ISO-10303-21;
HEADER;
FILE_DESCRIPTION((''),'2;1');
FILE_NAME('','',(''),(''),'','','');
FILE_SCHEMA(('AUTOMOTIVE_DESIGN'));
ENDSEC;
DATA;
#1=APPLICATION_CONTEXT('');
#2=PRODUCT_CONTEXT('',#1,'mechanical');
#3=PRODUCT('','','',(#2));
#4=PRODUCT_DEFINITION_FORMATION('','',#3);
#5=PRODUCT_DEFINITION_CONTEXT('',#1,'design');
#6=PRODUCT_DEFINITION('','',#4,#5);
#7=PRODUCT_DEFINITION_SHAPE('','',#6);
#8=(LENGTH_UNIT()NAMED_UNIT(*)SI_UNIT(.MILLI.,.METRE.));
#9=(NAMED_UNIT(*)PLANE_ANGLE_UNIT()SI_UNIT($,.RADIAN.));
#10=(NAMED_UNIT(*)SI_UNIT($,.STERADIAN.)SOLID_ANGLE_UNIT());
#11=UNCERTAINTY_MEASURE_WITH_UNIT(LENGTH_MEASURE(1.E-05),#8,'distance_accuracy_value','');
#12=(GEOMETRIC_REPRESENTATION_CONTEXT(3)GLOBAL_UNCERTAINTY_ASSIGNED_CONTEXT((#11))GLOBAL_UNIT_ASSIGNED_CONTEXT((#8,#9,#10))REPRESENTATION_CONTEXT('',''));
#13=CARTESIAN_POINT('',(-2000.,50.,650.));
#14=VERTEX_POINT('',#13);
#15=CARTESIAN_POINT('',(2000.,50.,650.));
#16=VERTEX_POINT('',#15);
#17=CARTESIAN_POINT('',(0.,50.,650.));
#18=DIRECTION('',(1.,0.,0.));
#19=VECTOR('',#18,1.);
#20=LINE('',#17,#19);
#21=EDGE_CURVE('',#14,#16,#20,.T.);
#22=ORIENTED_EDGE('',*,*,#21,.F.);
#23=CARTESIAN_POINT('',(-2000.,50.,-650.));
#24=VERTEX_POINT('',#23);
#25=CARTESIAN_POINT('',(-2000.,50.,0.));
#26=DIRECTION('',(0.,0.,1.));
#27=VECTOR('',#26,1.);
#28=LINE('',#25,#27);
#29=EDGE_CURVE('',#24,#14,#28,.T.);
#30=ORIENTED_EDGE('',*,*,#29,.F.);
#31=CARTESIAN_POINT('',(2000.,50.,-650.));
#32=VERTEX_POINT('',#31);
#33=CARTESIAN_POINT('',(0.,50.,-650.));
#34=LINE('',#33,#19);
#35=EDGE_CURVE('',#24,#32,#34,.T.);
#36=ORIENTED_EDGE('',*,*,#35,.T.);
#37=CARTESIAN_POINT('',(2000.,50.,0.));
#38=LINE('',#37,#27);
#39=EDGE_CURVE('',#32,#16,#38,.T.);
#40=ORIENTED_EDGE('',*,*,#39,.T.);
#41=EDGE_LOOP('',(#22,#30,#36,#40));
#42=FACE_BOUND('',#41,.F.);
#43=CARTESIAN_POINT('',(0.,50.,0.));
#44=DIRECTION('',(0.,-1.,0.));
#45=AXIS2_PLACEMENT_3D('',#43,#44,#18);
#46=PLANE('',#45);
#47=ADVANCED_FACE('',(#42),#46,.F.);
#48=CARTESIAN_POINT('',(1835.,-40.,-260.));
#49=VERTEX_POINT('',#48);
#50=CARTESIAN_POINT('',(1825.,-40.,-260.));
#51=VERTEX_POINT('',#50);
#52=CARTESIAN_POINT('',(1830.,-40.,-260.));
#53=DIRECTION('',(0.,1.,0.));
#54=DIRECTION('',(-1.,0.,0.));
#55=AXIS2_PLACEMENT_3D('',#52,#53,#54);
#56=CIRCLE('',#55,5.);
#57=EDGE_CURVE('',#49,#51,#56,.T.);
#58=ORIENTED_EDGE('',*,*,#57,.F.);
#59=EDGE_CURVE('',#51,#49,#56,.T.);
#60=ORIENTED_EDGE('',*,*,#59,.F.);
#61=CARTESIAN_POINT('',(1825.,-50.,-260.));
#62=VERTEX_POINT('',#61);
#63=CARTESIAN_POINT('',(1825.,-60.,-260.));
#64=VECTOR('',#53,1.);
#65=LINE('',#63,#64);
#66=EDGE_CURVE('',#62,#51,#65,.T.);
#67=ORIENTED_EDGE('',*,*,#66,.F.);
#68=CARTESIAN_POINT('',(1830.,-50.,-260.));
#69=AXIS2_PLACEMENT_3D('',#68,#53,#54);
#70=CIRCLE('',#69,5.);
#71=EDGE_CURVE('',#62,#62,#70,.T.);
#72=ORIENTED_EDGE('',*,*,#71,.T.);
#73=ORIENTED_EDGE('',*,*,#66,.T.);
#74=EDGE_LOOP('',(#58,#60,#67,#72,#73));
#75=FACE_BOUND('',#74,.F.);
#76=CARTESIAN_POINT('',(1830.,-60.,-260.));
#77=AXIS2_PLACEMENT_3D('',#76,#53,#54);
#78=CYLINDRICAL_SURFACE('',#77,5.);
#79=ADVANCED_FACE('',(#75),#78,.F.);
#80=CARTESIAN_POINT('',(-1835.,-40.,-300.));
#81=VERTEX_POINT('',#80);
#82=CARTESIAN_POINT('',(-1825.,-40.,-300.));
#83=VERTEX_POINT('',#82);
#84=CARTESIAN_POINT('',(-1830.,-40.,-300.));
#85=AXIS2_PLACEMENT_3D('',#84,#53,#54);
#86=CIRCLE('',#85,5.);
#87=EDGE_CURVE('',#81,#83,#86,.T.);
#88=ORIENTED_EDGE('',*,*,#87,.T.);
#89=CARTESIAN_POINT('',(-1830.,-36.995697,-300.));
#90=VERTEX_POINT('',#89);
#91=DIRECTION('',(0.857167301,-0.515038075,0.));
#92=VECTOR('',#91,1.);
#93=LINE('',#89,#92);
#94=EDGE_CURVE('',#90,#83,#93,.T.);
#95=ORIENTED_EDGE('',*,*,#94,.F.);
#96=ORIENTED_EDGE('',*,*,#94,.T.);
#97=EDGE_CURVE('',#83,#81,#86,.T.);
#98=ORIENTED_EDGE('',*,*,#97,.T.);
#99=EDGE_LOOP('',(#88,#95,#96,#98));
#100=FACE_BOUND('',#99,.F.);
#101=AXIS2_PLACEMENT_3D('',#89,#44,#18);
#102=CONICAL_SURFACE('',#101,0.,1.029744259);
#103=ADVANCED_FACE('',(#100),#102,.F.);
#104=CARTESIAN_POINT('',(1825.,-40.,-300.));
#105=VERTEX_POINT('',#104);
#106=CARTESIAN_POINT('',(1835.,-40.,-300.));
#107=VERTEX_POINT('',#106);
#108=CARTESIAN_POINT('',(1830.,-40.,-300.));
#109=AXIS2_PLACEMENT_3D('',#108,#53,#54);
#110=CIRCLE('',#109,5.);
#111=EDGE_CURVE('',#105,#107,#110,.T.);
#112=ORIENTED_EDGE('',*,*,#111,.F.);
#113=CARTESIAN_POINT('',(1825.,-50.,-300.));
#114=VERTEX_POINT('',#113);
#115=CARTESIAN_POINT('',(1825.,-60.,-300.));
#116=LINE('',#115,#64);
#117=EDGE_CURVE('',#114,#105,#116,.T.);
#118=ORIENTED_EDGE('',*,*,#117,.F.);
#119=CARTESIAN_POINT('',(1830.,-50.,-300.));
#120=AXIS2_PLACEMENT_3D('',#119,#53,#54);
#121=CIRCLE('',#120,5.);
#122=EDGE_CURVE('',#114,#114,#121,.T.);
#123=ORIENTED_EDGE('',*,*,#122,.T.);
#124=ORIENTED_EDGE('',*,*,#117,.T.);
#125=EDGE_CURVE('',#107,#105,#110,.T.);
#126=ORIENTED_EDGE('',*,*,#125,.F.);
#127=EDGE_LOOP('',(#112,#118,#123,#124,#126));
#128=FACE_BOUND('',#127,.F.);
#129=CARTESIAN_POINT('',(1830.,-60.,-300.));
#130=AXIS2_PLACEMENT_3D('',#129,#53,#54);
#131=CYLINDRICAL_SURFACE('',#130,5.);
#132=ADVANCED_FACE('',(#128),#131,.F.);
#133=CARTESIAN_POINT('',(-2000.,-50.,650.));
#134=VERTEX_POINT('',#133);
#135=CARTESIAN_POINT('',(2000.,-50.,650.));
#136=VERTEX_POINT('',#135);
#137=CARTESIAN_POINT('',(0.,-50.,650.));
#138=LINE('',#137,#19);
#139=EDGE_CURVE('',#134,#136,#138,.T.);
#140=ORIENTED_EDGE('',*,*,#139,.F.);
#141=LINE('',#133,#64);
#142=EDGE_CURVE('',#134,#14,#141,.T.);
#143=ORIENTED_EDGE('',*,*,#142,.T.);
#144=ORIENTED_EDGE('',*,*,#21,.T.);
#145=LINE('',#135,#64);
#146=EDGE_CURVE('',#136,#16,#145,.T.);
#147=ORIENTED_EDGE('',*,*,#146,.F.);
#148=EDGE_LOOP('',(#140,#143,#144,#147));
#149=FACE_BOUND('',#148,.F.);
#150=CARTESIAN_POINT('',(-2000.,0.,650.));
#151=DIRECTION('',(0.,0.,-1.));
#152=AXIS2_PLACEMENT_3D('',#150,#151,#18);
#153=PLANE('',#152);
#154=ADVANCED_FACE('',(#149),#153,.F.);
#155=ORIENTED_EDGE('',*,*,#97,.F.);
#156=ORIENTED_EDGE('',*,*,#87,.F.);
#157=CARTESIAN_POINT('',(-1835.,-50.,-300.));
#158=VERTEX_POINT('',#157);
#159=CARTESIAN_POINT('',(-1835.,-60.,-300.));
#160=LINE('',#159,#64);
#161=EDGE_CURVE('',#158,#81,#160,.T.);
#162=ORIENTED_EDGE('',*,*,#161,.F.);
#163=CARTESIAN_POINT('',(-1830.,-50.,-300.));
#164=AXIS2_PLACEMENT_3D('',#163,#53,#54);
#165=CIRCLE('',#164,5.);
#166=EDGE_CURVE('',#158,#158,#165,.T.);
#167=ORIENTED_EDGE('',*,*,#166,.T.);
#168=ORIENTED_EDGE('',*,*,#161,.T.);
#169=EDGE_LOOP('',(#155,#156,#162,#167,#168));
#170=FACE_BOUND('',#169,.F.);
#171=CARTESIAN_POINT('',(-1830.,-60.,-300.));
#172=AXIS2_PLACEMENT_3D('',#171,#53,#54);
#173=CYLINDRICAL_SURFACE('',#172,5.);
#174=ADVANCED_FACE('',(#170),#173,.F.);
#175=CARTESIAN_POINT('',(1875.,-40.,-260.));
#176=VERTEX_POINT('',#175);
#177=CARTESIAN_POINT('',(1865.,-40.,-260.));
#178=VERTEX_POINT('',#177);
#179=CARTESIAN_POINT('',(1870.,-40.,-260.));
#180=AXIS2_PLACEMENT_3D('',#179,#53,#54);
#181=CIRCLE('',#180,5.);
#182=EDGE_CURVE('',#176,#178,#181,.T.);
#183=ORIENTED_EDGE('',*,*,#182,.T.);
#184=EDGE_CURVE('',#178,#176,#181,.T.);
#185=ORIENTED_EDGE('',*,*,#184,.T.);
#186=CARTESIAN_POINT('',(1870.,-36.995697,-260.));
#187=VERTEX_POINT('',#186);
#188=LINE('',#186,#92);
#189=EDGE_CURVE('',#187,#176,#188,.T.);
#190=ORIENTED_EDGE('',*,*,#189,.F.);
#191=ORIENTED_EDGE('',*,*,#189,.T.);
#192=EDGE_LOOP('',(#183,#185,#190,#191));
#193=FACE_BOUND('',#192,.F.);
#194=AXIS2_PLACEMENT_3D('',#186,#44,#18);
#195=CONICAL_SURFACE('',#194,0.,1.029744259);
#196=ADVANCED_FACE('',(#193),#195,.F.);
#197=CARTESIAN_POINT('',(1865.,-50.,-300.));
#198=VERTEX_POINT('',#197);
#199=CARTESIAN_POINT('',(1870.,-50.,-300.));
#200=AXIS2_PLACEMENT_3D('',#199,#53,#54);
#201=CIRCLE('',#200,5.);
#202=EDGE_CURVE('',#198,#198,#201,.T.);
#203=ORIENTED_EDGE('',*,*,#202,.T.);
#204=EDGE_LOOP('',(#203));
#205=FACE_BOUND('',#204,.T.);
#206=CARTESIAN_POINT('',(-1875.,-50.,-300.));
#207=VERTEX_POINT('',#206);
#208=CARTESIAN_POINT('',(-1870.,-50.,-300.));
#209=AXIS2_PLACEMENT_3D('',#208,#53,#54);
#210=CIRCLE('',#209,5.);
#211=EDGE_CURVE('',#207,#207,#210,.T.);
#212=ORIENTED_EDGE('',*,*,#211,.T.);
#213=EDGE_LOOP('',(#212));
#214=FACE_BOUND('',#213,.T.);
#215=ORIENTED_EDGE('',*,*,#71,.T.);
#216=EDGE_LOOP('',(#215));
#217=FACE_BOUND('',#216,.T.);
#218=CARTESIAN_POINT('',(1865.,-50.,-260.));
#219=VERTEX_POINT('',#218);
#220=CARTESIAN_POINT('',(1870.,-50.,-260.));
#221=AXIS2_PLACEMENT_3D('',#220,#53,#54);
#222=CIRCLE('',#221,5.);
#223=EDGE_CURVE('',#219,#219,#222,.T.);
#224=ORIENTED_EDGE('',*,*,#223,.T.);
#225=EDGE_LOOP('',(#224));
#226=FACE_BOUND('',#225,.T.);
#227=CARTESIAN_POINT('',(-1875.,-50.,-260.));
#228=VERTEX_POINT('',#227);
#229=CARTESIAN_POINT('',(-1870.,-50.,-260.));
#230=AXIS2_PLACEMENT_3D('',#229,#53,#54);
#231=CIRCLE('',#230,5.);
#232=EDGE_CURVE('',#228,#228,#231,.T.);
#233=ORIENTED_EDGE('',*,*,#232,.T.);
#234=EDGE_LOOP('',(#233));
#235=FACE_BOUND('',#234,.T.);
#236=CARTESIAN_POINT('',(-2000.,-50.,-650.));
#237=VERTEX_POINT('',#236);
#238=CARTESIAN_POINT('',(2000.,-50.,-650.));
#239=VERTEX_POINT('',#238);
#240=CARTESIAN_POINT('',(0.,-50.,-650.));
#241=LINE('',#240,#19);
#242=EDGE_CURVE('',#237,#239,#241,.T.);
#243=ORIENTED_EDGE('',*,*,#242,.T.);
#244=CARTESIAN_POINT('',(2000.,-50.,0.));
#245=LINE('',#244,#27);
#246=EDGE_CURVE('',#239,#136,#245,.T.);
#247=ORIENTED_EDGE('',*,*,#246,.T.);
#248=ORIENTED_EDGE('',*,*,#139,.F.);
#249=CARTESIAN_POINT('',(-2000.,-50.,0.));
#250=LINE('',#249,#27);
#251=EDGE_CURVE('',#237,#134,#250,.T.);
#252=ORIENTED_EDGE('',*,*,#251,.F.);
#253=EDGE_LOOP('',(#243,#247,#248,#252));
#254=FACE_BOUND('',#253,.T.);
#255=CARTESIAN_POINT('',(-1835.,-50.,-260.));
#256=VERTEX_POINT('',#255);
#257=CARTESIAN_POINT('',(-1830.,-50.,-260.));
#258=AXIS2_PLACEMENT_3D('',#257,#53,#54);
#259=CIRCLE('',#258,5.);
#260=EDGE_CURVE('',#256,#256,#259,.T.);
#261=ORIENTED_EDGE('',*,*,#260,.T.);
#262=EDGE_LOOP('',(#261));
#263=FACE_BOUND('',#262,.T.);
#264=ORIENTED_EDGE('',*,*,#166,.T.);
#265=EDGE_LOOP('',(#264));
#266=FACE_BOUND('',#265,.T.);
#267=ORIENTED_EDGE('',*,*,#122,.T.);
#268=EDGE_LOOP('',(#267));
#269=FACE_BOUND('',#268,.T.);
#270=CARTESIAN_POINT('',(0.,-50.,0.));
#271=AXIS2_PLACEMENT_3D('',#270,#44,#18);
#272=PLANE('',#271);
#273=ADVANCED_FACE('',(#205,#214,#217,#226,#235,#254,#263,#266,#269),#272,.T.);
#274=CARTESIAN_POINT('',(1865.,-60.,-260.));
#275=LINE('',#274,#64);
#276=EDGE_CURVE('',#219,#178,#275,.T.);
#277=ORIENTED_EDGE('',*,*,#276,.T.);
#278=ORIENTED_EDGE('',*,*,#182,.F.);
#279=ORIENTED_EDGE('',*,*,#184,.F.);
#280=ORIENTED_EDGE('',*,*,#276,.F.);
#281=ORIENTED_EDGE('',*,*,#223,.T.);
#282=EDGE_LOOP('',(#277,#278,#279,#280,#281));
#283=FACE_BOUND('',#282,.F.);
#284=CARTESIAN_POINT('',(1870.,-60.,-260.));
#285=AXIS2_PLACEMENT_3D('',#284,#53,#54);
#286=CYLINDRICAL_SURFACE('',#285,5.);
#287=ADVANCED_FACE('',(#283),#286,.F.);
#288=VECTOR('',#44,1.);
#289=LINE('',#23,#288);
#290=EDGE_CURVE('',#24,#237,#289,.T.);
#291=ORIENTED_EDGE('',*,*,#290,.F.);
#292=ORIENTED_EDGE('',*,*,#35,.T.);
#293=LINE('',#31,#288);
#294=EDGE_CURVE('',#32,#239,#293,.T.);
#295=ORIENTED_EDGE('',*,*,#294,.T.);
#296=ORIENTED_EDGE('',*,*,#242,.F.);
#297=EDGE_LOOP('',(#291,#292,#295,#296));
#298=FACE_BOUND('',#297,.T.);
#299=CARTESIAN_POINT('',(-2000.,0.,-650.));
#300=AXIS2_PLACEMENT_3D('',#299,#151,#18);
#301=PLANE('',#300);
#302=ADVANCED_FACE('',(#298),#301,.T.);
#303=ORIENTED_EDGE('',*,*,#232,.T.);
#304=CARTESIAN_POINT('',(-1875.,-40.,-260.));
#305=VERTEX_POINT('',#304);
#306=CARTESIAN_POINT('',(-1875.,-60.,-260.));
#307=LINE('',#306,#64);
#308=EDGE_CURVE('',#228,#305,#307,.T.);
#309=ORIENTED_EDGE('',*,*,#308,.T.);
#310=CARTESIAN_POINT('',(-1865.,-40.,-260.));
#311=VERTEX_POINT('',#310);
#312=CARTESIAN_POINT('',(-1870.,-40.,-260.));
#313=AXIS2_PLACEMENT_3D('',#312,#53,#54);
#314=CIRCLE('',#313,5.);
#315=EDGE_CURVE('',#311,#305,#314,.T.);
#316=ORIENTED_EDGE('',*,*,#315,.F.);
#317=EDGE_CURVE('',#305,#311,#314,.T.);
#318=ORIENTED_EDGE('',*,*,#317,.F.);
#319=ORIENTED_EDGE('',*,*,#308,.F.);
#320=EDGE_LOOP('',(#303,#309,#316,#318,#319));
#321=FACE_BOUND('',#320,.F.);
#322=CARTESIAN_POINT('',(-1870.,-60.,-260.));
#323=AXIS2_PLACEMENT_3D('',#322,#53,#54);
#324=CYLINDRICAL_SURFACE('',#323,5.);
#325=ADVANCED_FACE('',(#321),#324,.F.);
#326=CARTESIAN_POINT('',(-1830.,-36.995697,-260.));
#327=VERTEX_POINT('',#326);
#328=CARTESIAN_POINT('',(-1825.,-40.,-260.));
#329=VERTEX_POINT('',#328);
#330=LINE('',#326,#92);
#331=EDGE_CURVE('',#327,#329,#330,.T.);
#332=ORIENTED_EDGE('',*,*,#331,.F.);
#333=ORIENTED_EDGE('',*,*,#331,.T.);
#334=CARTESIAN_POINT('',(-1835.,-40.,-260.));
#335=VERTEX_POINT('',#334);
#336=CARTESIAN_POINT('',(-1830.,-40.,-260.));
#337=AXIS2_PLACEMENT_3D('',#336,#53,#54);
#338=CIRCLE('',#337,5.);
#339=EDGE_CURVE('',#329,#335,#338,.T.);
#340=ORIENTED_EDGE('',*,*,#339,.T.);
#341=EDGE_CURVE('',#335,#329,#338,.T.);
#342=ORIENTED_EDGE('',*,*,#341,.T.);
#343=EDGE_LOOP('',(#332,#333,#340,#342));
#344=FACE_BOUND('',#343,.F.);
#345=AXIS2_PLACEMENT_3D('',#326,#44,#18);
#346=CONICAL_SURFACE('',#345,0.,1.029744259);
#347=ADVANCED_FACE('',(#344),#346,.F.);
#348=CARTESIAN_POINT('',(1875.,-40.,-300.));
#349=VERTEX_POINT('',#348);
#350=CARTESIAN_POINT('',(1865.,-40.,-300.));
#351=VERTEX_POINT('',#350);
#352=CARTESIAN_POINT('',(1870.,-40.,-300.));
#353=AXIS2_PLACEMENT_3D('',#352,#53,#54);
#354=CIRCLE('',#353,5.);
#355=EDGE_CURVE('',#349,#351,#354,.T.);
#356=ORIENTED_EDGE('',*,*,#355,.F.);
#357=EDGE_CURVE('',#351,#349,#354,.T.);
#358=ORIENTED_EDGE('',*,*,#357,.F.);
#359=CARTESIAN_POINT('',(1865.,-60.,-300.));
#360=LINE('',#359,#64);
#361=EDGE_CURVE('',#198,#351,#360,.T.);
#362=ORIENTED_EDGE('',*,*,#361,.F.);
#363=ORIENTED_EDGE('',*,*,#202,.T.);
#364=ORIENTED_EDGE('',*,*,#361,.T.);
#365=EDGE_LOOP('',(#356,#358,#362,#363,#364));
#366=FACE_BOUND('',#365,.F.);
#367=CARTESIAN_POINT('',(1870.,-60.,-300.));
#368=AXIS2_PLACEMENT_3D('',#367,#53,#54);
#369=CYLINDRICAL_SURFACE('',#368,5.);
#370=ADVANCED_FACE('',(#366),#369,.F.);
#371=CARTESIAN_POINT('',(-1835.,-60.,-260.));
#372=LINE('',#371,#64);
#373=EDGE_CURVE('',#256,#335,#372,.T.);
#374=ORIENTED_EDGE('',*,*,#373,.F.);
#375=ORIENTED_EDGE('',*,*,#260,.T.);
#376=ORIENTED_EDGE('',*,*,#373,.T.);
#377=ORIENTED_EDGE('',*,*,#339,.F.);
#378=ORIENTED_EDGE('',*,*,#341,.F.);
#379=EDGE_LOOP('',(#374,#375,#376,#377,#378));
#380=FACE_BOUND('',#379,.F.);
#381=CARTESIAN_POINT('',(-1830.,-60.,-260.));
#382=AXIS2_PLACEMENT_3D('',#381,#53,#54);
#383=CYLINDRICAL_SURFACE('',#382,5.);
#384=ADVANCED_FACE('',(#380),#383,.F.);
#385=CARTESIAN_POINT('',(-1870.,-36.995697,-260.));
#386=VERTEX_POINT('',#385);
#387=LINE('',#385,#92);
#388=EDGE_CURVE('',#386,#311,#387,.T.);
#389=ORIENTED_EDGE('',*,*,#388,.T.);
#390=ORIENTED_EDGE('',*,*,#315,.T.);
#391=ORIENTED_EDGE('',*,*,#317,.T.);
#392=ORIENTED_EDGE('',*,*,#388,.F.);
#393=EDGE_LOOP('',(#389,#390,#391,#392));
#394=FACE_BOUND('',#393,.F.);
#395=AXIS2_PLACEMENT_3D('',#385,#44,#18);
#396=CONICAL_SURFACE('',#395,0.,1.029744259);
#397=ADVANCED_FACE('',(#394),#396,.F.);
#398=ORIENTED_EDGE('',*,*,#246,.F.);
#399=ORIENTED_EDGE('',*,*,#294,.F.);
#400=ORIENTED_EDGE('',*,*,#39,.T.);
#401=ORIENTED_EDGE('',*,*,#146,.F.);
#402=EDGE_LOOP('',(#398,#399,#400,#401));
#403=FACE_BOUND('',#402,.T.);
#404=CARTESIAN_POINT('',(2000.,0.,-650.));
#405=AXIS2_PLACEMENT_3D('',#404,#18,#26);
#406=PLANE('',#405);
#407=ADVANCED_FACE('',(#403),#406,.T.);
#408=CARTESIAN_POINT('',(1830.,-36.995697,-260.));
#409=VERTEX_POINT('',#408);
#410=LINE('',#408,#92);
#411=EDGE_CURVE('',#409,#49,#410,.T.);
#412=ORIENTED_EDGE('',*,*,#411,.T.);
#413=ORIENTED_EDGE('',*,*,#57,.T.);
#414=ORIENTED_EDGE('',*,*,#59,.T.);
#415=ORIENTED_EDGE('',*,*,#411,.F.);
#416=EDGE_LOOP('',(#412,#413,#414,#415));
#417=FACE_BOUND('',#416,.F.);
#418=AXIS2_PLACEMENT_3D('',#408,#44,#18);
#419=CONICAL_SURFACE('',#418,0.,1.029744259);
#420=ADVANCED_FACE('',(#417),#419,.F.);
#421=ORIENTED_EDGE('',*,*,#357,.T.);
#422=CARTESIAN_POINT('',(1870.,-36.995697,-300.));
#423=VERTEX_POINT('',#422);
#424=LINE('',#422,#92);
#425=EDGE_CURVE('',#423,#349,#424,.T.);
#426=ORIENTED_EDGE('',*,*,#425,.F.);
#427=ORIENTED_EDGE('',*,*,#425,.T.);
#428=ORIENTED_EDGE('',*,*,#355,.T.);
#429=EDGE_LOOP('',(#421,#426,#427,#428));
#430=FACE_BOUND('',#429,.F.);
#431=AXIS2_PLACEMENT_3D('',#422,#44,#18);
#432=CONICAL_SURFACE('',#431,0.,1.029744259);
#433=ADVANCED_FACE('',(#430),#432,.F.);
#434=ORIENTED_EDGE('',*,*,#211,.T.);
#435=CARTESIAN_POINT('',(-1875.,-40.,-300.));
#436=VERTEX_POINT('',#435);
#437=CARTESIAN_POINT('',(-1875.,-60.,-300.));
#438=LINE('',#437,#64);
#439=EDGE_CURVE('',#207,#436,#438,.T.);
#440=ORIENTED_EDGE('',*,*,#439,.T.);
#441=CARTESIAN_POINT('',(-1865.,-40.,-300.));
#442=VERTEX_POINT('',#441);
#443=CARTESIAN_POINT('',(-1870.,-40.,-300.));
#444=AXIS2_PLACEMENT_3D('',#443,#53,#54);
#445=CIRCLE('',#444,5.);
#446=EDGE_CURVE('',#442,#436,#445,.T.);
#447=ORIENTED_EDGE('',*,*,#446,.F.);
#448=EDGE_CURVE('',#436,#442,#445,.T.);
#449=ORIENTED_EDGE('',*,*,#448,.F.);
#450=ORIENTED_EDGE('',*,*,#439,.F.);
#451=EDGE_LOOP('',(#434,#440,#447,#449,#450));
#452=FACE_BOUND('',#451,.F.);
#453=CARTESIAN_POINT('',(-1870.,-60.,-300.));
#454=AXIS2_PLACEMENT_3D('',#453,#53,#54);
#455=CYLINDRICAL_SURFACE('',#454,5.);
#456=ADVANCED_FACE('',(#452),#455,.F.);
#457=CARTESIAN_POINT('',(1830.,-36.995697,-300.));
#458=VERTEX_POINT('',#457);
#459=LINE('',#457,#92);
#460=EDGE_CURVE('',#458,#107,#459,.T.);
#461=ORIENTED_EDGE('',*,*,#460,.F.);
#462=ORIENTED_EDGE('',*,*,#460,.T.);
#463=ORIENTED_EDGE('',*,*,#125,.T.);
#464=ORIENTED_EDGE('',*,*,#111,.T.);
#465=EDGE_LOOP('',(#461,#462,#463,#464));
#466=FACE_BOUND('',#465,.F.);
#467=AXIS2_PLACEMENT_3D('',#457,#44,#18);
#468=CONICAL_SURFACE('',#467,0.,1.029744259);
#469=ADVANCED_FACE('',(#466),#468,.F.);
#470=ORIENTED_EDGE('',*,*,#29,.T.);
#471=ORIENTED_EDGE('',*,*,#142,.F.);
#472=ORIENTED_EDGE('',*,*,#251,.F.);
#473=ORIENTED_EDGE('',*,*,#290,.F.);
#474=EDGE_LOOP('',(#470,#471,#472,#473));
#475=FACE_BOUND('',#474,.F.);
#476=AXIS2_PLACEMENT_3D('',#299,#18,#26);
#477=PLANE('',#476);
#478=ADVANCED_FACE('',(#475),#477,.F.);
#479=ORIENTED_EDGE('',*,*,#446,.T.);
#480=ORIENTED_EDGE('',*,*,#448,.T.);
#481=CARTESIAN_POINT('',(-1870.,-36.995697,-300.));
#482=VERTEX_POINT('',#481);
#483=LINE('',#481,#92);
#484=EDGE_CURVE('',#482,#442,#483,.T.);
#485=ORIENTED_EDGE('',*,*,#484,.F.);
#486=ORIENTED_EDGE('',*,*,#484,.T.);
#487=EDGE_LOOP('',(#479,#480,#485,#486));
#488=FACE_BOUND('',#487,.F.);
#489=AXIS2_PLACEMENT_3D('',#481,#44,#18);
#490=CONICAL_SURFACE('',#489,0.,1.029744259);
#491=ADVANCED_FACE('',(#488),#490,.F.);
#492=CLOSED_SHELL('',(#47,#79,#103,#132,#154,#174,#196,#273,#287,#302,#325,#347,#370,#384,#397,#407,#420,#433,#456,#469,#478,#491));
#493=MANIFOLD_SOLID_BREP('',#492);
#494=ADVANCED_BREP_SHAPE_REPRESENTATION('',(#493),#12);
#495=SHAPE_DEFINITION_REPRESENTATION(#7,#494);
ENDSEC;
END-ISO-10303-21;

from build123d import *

# Parameters (mm, degrees)
F0_W     = 4000
F0_H     = 1300
F1_DEPTH = 50
F3_D     = 10
F3_DEPTH = 10
F3_TIP   = 3.0043030951


with BuildPart() as f1:
    # F0 (on Front) → F1 (new body, symmetric)
    with BuildSketch(Plane.XZ):
        Rectangle(F0_W, F0_H)
    extrude(amount=F1_DEPTH, both=True)

    # F3
    with Locations(Plane.XZ.offset(50)):
        with Locations((-1870, -260), (-1830, -260), (-1830, -300), (-1870, -300), (1830, -260), (1870, -260), (1870, -300), (1830, -300)):
            Hole(F3_D / 2, depth=F3_DEPTH)
            with Locations((0, 0, -(F3_DEPTH + F3_TIP / 2))):  # 118° drill point
                Cone(0, F3_D / 2, F3_TIP, mode=Mode.SUBTRACT)


solid = f1.part
